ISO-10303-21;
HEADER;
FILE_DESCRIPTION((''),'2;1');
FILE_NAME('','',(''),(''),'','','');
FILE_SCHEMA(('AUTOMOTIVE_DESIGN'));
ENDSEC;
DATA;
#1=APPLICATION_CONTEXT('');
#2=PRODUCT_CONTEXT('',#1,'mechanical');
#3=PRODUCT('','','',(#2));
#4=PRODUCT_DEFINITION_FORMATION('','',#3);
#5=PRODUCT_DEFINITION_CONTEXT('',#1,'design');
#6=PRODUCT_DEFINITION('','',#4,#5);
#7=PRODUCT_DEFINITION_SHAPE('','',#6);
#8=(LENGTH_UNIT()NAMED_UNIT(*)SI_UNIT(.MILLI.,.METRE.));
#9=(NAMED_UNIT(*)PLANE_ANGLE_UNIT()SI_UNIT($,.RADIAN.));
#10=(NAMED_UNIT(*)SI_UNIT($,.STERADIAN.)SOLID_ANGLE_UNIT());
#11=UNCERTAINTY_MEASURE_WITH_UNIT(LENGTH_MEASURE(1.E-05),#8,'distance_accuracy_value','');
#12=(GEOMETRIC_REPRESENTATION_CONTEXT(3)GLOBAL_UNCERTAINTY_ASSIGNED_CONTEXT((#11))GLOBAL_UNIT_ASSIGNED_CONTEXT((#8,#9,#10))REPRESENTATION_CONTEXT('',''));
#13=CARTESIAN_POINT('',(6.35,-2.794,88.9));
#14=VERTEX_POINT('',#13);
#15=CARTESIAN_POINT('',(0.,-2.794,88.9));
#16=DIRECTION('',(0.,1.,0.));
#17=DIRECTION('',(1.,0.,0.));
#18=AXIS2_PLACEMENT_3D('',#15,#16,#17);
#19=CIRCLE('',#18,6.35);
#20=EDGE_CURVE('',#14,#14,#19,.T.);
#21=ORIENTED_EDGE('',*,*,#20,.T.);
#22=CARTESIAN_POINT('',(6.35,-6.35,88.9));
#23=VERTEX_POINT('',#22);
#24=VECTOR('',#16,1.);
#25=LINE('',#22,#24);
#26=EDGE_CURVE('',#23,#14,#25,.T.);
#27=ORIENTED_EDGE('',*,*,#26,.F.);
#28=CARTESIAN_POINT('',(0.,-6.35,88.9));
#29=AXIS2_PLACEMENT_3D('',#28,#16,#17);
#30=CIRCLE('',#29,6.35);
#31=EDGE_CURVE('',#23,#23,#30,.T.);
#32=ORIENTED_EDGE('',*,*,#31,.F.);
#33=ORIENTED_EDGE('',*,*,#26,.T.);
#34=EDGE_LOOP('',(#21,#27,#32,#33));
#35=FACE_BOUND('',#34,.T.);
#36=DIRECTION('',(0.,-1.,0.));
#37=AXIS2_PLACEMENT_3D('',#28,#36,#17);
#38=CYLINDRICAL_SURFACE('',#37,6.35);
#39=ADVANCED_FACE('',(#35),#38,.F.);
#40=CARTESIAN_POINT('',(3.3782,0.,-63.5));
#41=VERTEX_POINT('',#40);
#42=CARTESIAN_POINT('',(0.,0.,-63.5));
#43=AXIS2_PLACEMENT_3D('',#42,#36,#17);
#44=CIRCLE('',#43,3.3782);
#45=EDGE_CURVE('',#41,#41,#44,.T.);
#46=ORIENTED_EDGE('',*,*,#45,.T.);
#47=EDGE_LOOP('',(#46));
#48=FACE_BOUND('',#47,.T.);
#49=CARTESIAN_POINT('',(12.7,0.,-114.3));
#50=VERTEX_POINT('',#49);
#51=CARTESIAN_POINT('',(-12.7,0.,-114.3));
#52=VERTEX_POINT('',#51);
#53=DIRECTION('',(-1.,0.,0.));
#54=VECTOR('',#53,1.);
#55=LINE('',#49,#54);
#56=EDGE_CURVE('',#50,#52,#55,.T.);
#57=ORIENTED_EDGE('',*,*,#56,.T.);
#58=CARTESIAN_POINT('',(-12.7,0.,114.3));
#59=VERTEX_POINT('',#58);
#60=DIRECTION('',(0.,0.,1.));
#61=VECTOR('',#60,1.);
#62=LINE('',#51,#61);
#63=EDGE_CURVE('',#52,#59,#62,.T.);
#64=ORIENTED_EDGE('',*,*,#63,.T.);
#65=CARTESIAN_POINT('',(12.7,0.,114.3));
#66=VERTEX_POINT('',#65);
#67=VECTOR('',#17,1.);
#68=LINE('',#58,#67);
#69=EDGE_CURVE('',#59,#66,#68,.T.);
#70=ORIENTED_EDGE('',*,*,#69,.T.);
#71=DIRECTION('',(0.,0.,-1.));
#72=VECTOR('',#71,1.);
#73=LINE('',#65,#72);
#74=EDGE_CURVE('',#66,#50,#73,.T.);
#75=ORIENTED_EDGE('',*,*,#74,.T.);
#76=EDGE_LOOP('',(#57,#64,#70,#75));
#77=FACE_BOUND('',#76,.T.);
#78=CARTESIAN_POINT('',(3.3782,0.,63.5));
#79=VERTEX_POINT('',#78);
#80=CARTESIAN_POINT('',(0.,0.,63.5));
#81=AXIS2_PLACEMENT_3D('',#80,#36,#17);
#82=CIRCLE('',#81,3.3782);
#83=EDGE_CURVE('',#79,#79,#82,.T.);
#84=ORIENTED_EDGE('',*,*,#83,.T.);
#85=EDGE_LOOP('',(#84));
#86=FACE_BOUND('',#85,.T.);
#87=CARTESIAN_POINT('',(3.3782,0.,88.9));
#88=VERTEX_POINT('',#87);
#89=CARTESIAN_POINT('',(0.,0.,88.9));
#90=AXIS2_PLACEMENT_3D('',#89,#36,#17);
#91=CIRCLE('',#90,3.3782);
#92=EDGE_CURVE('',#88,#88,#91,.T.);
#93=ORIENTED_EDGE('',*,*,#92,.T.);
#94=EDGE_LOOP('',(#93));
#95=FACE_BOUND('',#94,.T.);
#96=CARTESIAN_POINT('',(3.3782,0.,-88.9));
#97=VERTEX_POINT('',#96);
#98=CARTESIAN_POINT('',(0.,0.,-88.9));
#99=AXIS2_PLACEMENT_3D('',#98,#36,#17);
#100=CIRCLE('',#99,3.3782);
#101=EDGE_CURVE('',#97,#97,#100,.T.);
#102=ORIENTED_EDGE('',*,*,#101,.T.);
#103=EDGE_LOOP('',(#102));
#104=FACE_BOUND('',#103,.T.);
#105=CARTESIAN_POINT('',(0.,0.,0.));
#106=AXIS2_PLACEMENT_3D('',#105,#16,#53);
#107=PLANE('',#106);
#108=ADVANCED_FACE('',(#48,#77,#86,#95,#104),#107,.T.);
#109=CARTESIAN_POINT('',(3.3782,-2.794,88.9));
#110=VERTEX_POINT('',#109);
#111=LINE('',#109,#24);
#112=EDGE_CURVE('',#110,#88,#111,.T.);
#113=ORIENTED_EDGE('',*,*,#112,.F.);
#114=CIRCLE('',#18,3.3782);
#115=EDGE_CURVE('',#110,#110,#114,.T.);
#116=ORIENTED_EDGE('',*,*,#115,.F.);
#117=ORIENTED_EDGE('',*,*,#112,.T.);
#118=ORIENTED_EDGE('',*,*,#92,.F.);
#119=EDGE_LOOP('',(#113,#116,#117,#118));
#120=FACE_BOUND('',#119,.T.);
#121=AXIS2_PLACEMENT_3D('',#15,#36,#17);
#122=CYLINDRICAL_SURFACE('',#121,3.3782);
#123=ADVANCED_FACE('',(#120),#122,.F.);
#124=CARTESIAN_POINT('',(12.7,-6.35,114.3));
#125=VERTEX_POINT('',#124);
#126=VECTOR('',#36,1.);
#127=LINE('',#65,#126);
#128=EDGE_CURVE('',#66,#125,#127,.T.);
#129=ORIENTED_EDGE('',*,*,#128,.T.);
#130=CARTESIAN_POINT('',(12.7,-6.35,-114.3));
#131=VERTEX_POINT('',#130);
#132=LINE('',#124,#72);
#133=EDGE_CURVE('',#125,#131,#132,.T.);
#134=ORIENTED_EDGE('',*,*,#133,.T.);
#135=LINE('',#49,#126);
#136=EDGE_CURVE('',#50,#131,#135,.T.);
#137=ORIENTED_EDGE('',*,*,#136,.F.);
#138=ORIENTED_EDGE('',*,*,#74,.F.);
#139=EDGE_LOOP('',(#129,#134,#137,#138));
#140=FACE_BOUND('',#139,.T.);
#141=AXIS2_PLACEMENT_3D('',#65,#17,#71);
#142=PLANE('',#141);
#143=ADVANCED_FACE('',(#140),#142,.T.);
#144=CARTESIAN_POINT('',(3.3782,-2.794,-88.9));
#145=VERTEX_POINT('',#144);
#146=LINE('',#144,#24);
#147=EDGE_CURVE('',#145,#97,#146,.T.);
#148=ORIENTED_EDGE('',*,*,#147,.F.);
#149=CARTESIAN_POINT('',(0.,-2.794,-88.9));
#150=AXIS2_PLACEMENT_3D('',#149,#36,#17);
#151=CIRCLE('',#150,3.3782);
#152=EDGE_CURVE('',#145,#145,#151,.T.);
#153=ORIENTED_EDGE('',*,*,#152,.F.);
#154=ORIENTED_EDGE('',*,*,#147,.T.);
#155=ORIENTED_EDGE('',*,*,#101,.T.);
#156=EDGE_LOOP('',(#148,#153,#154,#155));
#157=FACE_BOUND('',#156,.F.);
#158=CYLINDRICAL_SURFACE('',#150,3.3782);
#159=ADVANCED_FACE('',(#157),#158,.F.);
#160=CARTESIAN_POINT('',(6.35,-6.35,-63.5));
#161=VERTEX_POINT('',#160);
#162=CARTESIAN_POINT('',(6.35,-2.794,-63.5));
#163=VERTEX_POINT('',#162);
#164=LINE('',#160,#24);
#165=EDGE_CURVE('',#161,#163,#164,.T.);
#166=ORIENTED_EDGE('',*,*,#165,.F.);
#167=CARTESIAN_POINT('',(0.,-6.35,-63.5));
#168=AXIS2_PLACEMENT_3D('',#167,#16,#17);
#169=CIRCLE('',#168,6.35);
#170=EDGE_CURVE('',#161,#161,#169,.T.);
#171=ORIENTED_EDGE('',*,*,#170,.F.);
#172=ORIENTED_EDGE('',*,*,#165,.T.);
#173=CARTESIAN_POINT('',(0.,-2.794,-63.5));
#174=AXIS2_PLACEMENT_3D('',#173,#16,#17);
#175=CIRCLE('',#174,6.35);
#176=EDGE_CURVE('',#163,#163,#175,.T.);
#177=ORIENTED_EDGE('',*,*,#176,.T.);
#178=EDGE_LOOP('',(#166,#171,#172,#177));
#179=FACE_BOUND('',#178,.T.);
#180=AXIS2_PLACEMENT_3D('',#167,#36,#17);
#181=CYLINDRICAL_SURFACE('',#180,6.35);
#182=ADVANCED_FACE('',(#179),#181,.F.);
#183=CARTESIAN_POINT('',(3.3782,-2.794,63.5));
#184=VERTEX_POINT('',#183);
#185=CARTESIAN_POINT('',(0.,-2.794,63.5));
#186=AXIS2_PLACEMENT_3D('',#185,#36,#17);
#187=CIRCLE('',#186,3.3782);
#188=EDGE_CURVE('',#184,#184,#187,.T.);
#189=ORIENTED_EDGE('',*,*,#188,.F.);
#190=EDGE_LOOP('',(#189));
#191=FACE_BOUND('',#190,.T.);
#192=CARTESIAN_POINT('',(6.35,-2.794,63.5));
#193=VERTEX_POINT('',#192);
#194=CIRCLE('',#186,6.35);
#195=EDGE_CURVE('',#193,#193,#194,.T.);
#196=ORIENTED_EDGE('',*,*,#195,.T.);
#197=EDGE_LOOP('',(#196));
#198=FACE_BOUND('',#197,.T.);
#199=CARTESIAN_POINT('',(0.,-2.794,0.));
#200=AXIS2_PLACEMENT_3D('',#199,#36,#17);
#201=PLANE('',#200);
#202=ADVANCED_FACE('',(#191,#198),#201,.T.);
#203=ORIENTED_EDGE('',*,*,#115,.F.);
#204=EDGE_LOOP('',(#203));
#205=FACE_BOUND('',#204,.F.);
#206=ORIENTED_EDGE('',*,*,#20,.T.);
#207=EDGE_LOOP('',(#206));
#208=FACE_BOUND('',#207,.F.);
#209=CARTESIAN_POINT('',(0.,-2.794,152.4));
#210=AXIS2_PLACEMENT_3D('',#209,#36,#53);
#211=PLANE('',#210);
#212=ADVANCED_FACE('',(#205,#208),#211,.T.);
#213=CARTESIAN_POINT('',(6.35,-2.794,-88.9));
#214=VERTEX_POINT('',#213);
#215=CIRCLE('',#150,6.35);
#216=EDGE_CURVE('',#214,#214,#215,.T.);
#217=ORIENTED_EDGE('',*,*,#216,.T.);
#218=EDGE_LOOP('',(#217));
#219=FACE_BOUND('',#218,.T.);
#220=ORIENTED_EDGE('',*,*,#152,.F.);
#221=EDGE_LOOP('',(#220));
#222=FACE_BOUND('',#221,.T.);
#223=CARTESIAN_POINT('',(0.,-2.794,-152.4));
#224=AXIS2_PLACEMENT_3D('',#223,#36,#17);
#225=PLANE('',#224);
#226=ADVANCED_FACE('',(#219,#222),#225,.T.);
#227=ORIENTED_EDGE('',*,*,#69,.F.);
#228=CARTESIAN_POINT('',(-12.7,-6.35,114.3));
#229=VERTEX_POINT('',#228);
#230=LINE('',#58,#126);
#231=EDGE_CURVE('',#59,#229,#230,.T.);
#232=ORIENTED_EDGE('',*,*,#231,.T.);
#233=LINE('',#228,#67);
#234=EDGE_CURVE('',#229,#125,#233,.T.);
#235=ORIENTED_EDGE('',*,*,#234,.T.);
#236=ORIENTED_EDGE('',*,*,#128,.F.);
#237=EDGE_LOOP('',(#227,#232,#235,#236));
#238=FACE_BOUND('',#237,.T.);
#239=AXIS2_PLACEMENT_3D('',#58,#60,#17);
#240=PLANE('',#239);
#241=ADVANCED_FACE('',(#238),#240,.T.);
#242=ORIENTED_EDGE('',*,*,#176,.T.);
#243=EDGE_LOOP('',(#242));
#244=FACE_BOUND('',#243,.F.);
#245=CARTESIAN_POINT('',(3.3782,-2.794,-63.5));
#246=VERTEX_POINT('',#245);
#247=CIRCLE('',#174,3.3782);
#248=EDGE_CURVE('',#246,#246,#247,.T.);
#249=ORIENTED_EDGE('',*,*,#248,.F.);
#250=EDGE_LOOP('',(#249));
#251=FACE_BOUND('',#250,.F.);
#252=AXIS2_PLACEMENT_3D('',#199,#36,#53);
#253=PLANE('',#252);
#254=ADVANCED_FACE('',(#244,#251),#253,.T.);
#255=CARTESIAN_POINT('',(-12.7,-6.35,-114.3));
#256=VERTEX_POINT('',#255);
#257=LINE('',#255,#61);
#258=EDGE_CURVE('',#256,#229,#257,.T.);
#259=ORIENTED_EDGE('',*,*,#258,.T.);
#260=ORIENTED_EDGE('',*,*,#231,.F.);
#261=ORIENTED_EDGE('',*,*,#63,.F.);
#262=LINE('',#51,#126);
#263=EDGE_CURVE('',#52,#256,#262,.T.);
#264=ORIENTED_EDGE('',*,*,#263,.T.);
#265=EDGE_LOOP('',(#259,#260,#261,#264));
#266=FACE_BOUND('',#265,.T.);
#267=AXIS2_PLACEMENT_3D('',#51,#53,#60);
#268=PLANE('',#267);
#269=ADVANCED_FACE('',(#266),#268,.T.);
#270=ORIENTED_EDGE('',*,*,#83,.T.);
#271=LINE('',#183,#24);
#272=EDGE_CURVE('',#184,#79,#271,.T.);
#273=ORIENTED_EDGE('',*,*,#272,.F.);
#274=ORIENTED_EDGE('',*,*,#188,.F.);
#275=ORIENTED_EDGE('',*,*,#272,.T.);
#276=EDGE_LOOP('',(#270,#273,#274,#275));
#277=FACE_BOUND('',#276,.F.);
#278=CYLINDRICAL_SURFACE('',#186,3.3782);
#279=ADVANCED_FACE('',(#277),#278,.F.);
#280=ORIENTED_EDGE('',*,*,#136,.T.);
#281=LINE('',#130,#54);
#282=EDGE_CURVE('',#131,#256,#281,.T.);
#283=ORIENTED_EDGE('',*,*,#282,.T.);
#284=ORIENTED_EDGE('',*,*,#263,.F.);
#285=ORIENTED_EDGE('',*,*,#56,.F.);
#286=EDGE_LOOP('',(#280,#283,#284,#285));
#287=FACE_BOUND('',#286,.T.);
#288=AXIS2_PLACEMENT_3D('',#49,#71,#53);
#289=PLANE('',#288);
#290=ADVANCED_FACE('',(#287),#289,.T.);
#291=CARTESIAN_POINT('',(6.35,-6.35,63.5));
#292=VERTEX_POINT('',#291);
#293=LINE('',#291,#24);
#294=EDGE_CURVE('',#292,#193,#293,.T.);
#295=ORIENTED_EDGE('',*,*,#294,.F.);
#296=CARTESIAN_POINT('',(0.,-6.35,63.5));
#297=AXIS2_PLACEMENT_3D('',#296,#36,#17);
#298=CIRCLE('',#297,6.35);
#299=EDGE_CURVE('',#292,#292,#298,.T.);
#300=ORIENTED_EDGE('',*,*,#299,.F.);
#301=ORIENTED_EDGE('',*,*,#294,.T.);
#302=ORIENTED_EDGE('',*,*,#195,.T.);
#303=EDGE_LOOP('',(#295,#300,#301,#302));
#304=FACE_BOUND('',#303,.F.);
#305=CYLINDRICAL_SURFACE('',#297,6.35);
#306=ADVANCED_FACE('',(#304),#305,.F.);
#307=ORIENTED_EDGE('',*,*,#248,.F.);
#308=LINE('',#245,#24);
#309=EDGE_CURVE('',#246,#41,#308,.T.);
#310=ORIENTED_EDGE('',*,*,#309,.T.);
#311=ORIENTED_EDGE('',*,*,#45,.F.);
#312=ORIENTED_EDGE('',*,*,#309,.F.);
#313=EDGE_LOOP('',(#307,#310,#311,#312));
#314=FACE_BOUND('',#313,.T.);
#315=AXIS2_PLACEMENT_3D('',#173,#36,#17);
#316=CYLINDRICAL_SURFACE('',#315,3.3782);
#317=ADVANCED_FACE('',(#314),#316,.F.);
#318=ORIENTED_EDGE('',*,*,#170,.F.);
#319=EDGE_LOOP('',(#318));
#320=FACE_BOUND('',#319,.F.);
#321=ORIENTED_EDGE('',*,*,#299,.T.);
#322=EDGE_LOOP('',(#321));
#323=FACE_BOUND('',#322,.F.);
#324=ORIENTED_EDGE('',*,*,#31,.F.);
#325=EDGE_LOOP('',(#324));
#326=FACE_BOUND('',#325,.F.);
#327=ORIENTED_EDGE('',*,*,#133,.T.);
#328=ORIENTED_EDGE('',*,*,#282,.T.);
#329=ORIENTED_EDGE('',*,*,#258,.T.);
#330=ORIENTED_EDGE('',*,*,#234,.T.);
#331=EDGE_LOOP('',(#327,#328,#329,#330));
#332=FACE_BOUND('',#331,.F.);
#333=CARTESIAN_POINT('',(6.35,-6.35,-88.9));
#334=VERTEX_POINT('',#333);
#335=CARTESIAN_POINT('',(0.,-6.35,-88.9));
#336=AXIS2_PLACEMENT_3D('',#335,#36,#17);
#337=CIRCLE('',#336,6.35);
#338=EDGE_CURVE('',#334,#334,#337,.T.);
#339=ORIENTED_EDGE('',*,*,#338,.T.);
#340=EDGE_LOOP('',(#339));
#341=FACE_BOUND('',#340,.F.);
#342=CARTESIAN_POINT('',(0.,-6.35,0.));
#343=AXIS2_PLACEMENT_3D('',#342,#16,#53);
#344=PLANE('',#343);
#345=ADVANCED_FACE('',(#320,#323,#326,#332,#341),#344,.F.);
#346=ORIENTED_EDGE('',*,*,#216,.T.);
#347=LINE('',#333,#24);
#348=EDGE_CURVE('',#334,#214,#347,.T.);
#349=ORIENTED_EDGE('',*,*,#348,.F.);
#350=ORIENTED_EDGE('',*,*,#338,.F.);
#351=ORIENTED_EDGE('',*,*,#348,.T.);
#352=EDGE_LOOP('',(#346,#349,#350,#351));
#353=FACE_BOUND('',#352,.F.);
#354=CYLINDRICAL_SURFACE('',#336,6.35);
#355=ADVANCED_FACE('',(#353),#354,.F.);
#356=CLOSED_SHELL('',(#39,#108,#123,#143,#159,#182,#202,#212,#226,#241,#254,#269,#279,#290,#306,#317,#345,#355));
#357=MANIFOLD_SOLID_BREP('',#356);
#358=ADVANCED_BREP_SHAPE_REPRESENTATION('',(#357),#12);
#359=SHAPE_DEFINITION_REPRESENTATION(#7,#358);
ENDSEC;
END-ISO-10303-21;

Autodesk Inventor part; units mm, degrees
ref_plane "YZ Plane" through (0, 0, 0) normal (1, 0, 0) x (0, 1, 0)
ref_plane "XZ Plane" through (0, 0, 0) normal (0, 1, 0) x (-1, 0, 0)
sketch "Sketch1" plane through (0, 0, 0) normal (0, 1, 0) x (-1, 0, 0)
  line L0 (12.7, 114.3) -> (-12.7, 114.3)
  line L1 (-12.7, 114.3) -> (-12.7, -114.3)
  line L2 (-12.7, -114.3) -> (12.7, -114.3)
  line L3 (12.7, -114.3) -> (12.7, 114.3)
  line L4 (12.7, 114.3) -> (-12.7, -114.3) construction
  line L5 (-12.7, 114.3) -> (12.7, -114.3) construction
  point P0 (0, 0)
  dimension "d0" = 25.4
  dimension "d1" = 228.6
extrude "Extrusion1" add sketch "Sketch1" against normal blind 6.35
sketch "Sketch3" plane through (0, -6.35, 0) normal (0, -1, 0) x (1, 0, 0)
  circle A0 centre (0, 63.5) radius 6.35
  line L0 (12.7, 114.3) -> (-12.7, 114.3) projected
  point P0 (0, 0)
  dimension "d5" = 12.7
  dimension "d6" = 50.8
extrude "Extrusion2" cut sketch "Sketch3" against normal blind 3.556
sketch "Sketch4" plane through (0, -2.794, 63.5) normal (0, -1, 0) x (1, 0, 0)
  circle A0 centre (0, 0) radius 3.3782
  point P0 (0, -63.5)
  dimension "d9" = 6.7564
extrude "Extrusion3" cut sketch "Sketch4" against normal through all
ref_plane "Work Plane2" through (-12.7, 0, 76.2) normal (0, 0, 1) x (1, 0, 0)
mirror "Mirror1" about plane through (-12.7, 0, 76.2) normal (0, 0, 1) of "Extrusion3", "Extrusion2"
mirror "Mirror2" about plane through (0, 0, 0) normal (0, 0, 1) of "Extrusion3", "Extrusion2", "Mirror1"
properties part number "BandSawJigSupport"
